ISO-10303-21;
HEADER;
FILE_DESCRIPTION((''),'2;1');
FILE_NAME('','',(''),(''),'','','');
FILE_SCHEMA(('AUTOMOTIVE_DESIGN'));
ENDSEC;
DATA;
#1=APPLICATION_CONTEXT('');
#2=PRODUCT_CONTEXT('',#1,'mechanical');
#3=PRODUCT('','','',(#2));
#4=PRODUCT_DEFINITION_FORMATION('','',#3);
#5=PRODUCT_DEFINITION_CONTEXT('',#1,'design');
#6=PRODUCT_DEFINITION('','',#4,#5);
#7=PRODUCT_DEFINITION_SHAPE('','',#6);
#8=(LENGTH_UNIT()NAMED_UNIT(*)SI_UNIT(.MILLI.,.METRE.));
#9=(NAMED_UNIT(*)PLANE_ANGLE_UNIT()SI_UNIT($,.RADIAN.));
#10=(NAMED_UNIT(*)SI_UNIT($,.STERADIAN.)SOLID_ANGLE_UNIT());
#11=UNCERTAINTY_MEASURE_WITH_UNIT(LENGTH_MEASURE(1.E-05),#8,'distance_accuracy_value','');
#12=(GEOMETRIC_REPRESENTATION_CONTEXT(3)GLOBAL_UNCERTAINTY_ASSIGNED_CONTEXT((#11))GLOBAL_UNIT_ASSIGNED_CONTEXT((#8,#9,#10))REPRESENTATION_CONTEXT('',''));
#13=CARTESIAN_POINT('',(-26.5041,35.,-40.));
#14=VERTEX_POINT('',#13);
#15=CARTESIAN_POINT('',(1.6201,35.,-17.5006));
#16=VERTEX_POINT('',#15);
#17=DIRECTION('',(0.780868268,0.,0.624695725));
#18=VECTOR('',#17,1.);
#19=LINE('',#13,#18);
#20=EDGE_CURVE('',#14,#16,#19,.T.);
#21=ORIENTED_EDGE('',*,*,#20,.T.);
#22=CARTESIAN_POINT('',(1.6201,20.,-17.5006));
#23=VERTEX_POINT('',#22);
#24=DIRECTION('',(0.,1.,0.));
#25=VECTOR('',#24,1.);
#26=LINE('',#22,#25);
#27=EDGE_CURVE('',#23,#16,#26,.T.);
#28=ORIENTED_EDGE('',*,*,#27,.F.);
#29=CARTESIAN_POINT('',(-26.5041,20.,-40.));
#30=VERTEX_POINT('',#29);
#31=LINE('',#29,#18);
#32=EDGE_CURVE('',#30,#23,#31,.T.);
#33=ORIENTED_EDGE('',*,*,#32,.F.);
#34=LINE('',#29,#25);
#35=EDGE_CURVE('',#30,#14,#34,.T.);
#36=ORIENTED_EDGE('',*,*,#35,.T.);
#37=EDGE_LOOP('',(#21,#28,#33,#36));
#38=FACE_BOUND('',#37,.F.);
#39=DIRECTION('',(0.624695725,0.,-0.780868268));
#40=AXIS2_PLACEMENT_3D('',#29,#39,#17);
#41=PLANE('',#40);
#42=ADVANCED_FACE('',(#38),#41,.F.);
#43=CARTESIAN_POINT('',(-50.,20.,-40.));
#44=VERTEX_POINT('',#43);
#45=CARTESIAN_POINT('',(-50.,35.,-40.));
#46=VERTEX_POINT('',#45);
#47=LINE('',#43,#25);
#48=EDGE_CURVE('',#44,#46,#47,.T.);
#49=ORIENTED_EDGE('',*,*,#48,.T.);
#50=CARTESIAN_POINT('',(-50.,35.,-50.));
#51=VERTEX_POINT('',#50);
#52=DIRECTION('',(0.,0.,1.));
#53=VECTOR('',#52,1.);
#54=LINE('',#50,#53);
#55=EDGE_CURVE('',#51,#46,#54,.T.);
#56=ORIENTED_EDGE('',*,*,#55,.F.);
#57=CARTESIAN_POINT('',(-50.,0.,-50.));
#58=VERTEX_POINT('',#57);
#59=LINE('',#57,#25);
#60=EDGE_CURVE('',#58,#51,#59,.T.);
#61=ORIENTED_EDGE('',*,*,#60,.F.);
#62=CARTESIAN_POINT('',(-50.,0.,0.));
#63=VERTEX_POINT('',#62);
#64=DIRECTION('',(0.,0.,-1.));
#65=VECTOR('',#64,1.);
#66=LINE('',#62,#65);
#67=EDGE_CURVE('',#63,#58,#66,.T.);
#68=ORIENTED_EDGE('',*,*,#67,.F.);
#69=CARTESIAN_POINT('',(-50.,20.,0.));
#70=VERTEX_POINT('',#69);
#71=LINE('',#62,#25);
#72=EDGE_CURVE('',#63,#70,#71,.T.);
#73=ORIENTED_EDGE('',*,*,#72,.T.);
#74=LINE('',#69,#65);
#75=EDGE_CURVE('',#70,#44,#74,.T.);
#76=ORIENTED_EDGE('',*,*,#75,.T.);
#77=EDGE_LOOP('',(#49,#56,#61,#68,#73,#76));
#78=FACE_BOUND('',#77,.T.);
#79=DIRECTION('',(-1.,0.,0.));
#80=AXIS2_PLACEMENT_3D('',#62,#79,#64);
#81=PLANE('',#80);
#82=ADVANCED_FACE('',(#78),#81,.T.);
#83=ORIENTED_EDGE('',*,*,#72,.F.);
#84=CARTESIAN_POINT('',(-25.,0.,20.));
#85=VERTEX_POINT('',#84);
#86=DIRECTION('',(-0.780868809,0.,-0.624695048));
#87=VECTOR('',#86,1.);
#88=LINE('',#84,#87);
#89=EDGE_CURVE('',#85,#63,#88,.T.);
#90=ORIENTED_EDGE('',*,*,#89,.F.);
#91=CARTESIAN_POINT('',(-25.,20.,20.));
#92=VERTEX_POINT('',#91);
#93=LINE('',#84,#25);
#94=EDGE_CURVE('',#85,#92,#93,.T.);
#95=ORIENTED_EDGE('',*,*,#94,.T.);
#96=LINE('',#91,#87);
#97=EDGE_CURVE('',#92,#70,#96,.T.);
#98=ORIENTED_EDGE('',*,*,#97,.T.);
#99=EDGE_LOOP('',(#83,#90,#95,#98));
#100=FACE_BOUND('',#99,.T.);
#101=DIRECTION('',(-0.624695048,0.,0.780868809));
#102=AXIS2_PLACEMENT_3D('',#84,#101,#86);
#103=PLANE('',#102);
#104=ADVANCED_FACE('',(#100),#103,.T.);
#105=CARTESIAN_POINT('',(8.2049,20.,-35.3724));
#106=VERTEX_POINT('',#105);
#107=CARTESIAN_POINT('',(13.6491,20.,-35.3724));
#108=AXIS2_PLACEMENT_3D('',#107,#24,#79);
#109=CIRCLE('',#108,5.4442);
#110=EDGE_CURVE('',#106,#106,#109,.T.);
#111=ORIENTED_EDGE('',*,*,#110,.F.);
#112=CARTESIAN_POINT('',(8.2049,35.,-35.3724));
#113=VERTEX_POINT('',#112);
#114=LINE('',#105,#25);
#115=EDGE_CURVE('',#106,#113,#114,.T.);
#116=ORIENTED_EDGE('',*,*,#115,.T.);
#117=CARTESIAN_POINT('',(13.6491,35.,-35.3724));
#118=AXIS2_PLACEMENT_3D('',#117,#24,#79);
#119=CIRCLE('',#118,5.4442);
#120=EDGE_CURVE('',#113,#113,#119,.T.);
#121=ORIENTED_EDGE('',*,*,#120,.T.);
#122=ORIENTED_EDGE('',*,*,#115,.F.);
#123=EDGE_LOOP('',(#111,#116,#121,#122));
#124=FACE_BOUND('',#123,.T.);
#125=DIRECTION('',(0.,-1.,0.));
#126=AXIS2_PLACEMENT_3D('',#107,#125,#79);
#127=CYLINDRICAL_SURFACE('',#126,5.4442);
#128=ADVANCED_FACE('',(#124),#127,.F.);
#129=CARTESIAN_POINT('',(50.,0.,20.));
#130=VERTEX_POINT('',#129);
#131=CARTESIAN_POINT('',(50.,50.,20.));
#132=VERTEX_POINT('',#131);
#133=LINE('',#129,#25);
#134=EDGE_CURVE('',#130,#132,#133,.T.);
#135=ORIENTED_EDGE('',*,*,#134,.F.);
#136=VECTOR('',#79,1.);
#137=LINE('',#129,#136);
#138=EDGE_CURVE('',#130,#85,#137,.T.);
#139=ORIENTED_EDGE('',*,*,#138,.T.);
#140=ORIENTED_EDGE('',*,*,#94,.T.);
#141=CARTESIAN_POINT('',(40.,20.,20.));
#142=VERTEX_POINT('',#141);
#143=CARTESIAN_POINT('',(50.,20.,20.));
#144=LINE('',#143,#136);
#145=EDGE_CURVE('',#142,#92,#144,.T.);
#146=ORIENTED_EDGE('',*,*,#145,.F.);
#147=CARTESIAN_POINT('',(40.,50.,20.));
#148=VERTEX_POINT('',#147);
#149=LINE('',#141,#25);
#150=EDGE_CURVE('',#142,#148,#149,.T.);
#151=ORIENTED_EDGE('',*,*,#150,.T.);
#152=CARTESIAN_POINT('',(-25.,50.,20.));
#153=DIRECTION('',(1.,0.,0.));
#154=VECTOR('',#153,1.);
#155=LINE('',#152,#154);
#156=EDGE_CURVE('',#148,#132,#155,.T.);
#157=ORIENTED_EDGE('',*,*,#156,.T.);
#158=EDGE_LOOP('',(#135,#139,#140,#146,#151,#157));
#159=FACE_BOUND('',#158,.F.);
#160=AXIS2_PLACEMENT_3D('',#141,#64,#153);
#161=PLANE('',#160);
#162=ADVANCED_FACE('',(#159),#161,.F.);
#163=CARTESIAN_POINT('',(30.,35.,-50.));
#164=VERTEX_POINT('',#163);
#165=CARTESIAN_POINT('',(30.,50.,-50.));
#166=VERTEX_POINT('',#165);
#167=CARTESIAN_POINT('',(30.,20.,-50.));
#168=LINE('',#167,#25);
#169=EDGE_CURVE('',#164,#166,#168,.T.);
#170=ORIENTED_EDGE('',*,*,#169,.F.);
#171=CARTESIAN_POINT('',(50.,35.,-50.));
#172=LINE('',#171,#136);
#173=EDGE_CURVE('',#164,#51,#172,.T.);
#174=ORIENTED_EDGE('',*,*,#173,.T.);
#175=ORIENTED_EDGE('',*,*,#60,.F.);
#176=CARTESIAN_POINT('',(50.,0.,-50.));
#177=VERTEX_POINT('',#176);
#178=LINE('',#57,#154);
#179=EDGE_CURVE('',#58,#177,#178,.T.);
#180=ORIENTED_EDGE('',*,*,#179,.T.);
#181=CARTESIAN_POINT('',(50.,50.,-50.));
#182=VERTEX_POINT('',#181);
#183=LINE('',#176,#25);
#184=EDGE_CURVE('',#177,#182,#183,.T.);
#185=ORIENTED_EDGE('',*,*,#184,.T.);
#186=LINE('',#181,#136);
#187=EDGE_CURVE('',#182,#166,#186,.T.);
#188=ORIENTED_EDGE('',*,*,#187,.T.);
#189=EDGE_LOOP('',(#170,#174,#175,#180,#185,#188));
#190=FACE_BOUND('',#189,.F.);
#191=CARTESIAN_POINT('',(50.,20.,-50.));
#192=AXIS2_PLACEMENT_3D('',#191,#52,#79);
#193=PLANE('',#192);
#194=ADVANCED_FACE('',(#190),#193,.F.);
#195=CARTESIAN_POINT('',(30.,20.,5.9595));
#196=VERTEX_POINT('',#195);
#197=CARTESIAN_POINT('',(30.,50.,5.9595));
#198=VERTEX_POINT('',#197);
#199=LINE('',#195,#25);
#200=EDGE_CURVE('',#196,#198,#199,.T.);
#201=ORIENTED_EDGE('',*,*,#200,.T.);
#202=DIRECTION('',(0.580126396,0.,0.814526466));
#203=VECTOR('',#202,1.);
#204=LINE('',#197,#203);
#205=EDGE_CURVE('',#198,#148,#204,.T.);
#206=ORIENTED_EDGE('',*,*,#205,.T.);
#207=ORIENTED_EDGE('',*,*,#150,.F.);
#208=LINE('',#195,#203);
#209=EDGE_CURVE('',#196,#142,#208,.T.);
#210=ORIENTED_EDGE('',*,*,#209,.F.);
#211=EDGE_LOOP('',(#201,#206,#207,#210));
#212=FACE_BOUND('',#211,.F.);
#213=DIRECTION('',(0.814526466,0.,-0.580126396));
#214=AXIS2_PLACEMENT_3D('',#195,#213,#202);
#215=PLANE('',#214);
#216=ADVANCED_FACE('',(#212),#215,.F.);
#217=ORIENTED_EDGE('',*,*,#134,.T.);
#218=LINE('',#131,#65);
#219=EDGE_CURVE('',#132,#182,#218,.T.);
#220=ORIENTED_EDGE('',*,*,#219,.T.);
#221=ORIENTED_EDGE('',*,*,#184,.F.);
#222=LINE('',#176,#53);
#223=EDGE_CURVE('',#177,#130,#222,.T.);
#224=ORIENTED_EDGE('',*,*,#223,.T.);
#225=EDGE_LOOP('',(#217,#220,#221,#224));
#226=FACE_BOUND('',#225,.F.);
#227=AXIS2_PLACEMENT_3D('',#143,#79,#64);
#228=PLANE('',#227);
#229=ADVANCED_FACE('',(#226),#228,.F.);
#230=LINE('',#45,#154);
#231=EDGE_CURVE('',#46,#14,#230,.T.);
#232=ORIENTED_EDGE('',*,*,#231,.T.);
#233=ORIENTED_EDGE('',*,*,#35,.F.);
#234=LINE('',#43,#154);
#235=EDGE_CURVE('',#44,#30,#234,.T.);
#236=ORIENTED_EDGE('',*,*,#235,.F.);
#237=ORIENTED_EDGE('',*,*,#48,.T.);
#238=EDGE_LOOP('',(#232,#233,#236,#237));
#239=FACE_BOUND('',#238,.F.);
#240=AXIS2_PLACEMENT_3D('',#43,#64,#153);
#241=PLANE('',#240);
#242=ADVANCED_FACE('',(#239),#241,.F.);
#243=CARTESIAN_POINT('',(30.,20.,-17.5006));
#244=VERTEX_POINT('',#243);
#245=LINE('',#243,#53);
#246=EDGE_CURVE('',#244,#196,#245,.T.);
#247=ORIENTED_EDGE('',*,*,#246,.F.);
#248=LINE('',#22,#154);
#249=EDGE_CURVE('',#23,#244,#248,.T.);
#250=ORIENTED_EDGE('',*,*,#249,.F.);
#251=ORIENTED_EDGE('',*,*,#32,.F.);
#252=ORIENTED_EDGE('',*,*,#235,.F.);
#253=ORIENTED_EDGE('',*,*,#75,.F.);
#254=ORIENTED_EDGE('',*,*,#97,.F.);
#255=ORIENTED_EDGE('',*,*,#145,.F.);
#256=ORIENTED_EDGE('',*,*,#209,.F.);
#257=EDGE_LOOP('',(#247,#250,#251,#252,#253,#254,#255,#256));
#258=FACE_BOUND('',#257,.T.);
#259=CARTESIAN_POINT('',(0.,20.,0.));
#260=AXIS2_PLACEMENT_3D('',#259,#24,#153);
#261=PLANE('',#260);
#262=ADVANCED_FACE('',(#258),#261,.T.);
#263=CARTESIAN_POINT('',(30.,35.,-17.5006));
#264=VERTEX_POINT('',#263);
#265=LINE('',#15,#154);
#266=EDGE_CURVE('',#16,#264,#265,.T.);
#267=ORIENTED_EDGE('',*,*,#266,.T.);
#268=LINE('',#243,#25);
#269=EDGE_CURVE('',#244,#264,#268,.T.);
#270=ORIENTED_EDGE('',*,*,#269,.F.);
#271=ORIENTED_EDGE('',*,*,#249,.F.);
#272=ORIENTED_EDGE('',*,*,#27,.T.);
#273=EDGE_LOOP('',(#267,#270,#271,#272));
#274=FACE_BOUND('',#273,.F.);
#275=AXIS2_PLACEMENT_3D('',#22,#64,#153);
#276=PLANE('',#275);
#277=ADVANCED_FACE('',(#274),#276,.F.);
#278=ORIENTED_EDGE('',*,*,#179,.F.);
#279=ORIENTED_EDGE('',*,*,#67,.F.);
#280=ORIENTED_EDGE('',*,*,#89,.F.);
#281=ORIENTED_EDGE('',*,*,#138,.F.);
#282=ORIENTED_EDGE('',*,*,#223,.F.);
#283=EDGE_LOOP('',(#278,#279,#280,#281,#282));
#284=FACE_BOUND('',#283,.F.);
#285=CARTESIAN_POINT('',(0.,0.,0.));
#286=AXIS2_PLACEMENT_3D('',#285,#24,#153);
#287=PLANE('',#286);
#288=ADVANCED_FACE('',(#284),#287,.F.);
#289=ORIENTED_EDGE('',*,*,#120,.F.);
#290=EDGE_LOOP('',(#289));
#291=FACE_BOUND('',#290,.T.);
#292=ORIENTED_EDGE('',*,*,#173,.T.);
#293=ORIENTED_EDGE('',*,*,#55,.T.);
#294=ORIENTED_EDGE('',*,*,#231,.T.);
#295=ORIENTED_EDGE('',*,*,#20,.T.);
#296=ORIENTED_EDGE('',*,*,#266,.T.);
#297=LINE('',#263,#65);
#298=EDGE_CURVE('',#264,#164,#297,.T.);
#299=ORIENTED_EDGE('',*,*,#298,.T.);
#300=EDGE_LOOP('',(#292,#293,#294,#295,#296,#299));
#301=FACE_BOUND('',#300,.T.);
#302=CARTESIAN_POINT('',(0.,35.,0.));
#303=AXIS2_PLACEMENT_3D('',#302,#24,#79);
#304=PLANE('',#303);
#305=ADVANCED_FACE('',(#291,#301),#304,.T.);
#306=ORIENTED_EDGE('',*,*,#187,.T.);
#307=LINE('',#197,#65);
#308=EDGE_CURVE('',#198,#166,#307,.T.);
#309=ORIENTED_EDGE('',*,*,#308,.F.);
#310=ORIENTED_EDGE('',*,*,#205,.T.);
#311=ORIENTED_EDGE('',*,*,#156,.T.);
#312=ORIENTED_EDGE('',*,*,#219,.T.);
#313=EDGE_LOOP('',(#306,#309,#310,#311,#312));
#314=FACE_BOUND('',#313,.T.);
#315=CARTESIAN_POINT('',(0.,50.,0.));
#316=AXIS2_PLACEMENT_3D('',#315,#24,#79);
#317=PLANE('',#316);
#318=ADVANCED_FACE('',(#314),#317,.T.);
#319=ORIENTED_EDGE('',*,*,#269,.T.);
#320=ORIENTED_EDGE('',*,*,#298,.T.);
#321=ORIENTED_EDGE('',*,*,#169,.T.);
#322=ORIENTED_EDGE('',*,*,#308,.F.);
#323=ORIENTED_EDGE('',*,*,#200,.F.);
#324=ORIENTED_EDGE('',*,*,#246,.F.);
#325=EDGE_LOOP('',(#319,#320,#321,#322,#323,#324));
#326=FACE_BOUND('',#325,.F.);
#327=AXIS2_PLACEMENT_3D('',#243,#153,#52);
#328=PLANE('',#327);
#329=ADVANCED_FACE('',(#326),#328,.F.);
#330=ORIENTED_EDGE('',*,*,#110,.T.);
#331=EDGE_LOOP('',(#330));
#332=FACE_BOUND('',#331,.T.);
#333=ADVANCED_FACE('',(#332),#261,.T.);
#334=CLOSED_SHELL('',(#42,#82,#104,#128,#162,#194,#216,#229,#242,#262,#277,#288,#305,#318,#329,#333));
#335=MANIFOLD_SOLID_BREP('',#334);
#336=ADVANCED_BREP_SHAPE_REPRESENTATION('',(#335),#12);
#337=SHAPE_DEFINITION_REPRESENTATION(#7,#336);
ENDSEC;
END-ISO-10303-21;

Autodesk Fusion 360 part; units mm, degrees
sketch "Sketch1" plane through (0, 0, 0) normal (0, 1, 0) x (1, 0, 0)
  line L0 (-50, 50) -> (50, 50)
  line L1 (50, 50) -> (50, -20)
  line L2 (50, -20) -> (-25, -20)
  line L3 (-50, 0) -> (-50, 50)
  line L4 (-25, -20) -> (-50, 0)
extrude "Extrude1" add sketch "Sketch1" along normal blind 20
sketch "Sketch2" plane through (0, 20, 0) normal (0, 1, 0) x (-1, 0, 0)
  line L0 (25, 20) -> (-50, 20)
  line L1 (-50, 20) -> (-50, -50)
  line L2 (-50, -50) -> (50, -50)
  line L3 (50, -50) -> (50, 0)
  line L4 (50, 0) -> (25, 20)
  line L5 (-50, 20) -> (-50, -50)
  line L6 (25, 20) -> (-50, 20)
  line L7 (50, 0) -> (25, 20)
  line L8 (50, -50) -> (50, 0)
  line L9 (-50, -50) -> (50, -50)
  line L10 (50, -40) -> (26.5041, -40)
  line L11 (26.5041, -40) -> (-1.6201, -17.5006)
  line L12 (-1.6201, -17.5006) -> (-30, -17.5006)
  line L13 (-30, -17.5006) -> (-30, 5.9595)
  line L14 (-30, 5.9595) -> (-40, 20)
  circle A0 centre (-13.6491, -35.3724) radius 5.4442
  line L15 (-30, -17.5006) -> (-30, -50)
extrude "Extrude2" add sketch "Sketch2" along normal blind 15 contours L2 L3 L8 L9 L10 L11 L12 L15
extrude "Extrude3" add sketch "Sketch2" along normal blind 30 contours L0 L1 L2 L5 L6 L9 L13 L14 L15
sketch "Sketch3" plane through (30, 0, 0) normal (-1, 0, 0) x (0, 0, 1)
  line L0 (-50, 35) -> (-17.5006, 35)
  line L1 (-17.5006, 35) -> (-17.5006, 20)
  line L2 (-17.5006, 20) -> (5.9595, 20)
  line L3 (5.9595, 20) -> (5.9595, 50)
  line L4 (5.9595, 50) -> (-50, 50)
  line L5 (-50, 50) -> (-50, 35)
  circle A0 centre (-5, 30) radius 4.5807
extrude "Extrude4" cut sketch "Sketch3" along normal through all contours A0
